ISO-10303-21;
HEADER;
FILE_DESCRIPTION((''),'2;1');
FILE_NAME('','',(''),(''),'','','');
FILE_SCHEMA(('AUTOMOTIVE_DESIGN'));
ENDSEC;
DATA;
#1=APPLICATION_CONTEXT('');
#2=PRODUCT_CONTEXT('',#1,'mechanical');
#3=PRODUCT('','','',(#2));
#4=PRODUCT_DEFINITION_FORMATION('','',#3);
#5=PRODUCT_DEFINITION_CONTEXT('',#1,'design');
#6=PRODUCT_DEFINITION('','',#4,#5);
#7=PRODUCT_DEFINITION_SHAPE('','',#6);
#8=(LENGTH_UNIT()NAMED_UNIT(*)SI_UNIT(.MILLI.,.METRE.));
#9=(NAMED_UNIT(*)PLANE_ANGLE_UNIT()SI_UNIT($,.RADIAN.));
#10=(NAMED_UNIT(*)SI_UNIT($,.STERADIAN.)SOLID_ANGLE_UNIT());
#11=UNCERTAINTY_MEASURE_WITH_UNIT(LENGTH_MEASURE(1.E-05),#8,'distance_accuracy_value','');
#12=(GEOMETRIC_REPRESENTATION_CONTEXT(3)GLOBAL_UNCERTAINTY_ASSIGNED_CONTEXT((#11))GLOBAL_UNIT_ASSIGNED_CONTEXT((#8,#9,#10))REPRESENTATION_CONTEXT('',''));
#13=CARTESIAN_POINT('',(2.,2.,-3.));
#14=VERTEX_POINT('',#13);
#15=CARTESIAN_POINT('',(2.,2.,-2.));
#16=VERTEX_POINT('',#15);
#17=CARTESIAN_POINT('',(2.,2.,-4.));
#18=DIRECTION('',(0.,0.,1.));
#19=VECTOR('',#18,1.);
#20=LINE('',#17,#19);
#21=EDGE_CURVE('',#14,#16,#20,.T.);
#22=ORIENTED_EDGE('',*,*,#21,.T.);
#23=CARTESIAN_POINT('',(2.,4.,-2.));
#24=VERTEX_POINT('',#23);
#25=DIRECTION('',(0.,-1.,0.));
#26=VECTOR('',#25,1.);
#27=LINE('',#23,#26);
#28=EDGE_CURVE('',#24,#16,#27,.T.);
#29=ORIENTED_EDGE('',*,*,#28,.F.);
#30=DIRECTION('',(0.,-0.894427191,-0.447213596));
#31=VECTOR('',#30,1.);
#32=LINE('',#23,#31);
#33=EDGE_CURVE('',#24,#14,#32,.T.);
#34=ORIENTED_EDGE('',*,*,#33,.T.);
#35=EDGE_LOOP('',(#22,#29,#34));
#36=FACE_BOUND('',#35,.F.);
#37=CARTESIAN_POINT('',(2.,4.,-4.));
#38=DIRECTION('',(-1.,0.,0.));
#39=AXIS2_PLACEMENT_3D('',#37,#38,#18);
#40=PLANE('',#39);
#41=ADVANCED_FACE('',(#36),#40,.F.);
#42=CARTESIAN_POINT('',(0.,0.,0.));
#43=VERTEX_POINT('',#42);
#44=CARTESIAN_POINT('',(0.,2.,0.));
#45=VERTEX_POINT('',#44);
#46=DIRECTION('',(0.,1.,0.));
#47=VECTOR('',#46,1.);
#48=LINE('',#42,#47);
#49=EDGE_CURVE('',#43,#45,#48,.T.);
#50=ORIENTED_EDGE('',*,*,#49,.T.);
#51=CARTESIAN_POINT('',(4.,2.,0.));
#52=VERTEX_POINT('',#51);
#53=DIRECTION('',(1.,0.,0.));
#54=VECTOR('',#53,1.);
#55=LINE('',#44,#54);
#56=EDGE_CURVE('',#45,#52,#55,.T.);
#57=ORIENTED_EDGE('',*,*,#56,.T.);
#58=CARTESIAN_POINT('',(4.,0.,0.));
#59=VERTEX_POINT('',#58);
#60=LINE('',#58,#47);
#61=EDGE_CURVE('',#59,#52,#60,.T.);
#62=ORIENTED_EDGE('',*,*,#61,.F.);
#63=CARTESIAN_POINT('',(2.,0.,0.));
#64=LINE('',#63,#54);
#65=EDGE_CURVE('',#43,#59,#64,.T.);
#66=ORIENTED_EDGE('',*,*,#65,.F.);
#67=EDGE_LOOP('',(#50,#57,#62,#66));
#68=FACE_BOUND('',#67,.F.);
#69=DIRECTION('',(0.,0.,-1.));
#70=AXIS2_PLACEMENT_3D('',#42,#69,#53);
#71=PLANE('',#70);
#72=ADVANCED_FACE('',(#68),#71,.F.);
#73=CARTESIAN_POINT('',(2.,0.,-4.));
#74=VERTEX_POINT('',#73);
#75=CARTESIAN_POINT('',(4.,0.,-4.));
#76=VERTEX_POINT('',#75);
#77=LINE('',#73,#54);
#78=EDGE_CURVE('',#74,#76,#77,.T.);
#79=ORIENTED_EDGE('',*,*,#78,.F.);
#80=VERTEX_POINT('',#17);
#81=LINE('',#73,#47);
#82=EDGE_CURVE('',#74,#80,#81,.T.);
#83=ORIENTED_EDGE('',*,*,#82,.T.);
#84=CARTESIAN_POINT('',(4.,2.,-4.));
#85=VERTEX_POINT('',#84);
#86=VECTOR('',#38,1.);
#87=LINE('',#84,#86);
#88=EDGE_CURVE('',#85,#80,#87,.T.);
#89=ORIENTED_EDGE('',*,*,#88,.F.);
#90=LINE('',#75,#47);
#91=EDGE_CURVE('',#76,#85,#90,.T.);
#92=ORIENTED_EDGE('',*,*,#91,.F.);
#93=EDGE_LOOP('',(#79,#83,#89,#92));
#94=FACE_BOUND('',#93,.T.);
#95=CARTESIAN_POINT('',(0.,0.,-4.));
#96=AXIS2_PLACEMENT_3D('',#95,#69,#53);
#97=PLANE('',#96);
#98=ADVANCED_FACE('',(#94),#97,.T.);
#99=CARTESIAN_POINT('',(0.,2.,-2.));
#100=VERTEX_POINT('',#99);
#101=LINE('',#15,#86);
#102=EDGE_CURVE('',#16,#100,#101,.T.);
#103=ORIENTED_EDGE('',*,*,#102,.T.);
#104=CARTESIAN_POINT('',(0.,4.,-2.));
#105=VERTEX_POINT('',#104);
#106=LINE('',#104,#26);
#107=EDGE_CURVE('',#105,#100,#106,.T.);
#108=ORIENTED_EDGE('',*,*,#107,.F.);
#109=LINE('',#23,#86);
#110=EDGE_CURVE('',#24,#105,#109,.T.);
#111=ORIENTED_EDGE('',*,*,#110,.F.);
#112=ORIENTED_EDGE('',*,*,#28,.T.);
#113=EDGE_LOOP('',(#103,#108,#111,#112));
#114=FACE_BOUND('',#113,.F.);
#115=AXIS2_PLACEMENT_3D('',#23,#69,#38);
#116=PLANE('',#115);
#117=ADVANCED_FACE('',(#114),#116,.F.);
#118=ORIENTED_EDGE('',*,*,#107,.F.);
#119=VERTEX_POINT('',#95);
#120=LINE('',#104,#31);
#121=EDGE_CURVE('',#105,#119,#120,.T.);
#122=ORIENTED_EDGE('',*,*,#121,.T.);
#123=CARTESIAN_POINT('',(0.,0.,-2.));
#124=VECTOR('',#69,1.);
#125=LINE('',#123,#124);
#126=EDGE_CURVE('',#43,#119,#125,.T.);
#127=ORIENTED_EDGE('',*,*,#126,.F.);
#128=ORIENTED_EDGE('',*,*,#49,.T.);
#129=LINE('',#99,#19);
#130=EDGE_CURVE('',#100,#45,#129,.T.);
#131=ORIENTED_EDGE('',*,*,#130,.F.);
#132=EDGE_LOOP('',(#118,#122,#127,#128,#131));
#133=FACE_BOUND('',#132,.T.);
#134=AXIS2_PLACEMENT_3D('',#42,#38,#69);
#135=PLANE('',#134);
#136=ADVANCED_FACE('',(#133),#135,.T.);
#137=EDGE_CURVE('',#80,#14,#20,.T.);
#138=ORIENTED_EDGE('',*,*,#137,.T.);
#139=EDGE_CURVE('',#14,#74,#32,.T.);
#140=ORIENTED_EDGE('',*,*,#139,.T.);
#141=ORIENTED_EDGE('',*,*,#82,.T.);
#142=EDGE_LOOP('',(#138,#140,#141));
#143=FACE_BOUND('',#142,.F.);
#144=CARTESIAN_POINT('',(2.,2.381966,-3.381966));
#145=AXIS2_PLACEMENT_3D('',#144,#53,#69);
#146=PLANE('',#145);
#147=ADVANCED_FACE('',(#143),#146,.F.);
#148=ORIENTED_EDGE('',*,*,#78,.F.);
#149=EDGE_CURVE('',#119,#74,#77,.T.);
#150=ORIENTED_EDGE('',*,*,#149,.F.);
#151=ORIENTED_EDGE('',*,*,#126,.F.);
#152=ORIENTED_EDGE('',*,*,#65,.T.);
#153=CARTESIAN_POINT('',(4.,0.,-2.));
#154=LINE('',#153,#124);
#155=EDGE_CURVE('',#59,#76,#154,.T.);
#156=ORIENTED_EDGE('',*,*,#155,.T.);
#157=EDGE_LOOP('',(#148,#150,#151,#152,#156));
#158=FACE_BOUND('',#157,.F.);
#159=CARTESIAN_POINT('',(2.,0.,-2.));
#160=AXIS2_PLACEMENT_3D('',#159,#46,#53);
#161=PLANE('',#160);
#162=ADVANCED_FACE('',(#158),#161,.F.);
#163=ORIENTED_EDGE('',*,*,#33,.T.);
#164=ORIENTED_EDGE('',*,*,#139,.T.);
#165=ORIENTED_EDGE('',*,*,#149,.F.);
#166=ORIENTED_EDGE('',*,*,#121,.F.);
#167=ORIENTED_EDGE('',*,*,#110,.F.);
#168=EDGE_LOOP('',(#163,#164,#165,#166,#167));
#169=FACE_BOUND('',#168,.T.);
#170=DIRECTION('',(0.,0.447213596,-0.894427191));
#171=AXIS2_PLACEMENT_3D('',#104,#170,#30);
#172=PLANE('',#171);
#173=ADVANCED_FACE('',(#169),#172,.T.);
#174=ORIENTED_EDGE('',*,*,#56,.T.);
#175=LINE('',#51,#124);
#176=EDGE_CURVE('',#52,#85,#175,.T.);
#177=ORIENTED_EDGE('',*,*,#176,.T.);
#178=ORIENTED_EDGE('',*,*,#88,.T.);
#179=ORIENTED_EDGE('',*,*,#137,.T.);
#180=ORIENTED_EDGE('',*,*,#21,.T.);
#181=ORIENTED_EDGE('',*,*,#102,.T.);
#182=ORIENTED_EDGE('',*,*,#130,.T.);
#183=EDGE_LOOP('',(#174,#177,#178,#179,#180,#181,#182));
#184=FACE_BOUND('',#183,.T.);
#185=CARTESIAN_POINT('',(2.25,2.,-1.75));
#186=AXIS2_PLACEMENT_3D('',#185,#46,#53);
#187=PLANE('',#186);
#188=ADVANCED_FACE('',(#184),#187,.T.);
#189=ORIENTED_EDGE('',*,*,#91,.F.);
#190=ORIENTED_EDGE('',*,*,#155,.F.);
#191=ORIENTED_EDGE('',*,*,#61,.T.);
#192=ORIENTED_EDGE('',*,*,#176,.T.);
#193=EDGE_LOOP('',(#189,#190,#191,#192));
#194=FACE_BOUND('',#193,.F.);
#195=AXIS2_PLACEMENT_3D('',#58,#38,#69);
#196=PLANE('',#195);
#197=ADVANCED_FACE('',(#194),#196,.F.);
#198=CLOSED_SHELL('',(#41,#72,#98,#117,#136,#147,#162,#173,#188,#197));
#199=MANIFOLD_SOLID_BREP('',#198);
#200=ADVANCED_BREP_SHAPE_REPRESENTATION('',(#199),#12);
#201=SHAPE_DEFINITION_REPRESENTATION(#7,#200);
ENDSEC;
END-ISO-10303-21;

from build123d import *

# Parameters (mm, degrees)
SKETCH1_W           = 4
SKETCH1_H           = 4
BOSS_EXTRUDE1_DEPTH = 4
CUT_EXTRUDE1_DEPTH  = 2
CUT_EXTRUDE2_DEPTH  = 2


with BuildPart() as part:
    # Sketch1 → Boss-Extrude1 (new body)
    with BuildSketch(Plane(origin=(0, 0, 0), x_dir=(1, 0, 0), z_dir=(0, 1, 0))):
        with Locations((2, 2)):
            Rectangle(SKETCH1_W, SKETCH1_H)
    extrude(amount=BOSS_EXTRUDE1_DEPTH)

    # Sketch2 → Cut-Extrude1 (cut)
    with BuildSketch(Plane(origin=(0, 4, 0), x_dir=(1, 0, 0), z_dir=(0, 1, 0))):
        Polygon((4, 4), (2, 4), (2, 2), (0, 2), (0, 0), (4, 0), align=None)
    extrude(amount=-CUT_EXTRUDE1_DEPTH, mode=Mode.SUBTRACT)

    # Sketch3 → Cut-Extrude2 (cut)
    with BuildSketch(Plane.ZY):
        Polygon((-2, 4), (-4, 0), (-4, 4), align=None)
    extrude(amount=-CUT_EXTRUDE2_DEPTH, mode=Mode.SUBTRACT)


solid = part.part
